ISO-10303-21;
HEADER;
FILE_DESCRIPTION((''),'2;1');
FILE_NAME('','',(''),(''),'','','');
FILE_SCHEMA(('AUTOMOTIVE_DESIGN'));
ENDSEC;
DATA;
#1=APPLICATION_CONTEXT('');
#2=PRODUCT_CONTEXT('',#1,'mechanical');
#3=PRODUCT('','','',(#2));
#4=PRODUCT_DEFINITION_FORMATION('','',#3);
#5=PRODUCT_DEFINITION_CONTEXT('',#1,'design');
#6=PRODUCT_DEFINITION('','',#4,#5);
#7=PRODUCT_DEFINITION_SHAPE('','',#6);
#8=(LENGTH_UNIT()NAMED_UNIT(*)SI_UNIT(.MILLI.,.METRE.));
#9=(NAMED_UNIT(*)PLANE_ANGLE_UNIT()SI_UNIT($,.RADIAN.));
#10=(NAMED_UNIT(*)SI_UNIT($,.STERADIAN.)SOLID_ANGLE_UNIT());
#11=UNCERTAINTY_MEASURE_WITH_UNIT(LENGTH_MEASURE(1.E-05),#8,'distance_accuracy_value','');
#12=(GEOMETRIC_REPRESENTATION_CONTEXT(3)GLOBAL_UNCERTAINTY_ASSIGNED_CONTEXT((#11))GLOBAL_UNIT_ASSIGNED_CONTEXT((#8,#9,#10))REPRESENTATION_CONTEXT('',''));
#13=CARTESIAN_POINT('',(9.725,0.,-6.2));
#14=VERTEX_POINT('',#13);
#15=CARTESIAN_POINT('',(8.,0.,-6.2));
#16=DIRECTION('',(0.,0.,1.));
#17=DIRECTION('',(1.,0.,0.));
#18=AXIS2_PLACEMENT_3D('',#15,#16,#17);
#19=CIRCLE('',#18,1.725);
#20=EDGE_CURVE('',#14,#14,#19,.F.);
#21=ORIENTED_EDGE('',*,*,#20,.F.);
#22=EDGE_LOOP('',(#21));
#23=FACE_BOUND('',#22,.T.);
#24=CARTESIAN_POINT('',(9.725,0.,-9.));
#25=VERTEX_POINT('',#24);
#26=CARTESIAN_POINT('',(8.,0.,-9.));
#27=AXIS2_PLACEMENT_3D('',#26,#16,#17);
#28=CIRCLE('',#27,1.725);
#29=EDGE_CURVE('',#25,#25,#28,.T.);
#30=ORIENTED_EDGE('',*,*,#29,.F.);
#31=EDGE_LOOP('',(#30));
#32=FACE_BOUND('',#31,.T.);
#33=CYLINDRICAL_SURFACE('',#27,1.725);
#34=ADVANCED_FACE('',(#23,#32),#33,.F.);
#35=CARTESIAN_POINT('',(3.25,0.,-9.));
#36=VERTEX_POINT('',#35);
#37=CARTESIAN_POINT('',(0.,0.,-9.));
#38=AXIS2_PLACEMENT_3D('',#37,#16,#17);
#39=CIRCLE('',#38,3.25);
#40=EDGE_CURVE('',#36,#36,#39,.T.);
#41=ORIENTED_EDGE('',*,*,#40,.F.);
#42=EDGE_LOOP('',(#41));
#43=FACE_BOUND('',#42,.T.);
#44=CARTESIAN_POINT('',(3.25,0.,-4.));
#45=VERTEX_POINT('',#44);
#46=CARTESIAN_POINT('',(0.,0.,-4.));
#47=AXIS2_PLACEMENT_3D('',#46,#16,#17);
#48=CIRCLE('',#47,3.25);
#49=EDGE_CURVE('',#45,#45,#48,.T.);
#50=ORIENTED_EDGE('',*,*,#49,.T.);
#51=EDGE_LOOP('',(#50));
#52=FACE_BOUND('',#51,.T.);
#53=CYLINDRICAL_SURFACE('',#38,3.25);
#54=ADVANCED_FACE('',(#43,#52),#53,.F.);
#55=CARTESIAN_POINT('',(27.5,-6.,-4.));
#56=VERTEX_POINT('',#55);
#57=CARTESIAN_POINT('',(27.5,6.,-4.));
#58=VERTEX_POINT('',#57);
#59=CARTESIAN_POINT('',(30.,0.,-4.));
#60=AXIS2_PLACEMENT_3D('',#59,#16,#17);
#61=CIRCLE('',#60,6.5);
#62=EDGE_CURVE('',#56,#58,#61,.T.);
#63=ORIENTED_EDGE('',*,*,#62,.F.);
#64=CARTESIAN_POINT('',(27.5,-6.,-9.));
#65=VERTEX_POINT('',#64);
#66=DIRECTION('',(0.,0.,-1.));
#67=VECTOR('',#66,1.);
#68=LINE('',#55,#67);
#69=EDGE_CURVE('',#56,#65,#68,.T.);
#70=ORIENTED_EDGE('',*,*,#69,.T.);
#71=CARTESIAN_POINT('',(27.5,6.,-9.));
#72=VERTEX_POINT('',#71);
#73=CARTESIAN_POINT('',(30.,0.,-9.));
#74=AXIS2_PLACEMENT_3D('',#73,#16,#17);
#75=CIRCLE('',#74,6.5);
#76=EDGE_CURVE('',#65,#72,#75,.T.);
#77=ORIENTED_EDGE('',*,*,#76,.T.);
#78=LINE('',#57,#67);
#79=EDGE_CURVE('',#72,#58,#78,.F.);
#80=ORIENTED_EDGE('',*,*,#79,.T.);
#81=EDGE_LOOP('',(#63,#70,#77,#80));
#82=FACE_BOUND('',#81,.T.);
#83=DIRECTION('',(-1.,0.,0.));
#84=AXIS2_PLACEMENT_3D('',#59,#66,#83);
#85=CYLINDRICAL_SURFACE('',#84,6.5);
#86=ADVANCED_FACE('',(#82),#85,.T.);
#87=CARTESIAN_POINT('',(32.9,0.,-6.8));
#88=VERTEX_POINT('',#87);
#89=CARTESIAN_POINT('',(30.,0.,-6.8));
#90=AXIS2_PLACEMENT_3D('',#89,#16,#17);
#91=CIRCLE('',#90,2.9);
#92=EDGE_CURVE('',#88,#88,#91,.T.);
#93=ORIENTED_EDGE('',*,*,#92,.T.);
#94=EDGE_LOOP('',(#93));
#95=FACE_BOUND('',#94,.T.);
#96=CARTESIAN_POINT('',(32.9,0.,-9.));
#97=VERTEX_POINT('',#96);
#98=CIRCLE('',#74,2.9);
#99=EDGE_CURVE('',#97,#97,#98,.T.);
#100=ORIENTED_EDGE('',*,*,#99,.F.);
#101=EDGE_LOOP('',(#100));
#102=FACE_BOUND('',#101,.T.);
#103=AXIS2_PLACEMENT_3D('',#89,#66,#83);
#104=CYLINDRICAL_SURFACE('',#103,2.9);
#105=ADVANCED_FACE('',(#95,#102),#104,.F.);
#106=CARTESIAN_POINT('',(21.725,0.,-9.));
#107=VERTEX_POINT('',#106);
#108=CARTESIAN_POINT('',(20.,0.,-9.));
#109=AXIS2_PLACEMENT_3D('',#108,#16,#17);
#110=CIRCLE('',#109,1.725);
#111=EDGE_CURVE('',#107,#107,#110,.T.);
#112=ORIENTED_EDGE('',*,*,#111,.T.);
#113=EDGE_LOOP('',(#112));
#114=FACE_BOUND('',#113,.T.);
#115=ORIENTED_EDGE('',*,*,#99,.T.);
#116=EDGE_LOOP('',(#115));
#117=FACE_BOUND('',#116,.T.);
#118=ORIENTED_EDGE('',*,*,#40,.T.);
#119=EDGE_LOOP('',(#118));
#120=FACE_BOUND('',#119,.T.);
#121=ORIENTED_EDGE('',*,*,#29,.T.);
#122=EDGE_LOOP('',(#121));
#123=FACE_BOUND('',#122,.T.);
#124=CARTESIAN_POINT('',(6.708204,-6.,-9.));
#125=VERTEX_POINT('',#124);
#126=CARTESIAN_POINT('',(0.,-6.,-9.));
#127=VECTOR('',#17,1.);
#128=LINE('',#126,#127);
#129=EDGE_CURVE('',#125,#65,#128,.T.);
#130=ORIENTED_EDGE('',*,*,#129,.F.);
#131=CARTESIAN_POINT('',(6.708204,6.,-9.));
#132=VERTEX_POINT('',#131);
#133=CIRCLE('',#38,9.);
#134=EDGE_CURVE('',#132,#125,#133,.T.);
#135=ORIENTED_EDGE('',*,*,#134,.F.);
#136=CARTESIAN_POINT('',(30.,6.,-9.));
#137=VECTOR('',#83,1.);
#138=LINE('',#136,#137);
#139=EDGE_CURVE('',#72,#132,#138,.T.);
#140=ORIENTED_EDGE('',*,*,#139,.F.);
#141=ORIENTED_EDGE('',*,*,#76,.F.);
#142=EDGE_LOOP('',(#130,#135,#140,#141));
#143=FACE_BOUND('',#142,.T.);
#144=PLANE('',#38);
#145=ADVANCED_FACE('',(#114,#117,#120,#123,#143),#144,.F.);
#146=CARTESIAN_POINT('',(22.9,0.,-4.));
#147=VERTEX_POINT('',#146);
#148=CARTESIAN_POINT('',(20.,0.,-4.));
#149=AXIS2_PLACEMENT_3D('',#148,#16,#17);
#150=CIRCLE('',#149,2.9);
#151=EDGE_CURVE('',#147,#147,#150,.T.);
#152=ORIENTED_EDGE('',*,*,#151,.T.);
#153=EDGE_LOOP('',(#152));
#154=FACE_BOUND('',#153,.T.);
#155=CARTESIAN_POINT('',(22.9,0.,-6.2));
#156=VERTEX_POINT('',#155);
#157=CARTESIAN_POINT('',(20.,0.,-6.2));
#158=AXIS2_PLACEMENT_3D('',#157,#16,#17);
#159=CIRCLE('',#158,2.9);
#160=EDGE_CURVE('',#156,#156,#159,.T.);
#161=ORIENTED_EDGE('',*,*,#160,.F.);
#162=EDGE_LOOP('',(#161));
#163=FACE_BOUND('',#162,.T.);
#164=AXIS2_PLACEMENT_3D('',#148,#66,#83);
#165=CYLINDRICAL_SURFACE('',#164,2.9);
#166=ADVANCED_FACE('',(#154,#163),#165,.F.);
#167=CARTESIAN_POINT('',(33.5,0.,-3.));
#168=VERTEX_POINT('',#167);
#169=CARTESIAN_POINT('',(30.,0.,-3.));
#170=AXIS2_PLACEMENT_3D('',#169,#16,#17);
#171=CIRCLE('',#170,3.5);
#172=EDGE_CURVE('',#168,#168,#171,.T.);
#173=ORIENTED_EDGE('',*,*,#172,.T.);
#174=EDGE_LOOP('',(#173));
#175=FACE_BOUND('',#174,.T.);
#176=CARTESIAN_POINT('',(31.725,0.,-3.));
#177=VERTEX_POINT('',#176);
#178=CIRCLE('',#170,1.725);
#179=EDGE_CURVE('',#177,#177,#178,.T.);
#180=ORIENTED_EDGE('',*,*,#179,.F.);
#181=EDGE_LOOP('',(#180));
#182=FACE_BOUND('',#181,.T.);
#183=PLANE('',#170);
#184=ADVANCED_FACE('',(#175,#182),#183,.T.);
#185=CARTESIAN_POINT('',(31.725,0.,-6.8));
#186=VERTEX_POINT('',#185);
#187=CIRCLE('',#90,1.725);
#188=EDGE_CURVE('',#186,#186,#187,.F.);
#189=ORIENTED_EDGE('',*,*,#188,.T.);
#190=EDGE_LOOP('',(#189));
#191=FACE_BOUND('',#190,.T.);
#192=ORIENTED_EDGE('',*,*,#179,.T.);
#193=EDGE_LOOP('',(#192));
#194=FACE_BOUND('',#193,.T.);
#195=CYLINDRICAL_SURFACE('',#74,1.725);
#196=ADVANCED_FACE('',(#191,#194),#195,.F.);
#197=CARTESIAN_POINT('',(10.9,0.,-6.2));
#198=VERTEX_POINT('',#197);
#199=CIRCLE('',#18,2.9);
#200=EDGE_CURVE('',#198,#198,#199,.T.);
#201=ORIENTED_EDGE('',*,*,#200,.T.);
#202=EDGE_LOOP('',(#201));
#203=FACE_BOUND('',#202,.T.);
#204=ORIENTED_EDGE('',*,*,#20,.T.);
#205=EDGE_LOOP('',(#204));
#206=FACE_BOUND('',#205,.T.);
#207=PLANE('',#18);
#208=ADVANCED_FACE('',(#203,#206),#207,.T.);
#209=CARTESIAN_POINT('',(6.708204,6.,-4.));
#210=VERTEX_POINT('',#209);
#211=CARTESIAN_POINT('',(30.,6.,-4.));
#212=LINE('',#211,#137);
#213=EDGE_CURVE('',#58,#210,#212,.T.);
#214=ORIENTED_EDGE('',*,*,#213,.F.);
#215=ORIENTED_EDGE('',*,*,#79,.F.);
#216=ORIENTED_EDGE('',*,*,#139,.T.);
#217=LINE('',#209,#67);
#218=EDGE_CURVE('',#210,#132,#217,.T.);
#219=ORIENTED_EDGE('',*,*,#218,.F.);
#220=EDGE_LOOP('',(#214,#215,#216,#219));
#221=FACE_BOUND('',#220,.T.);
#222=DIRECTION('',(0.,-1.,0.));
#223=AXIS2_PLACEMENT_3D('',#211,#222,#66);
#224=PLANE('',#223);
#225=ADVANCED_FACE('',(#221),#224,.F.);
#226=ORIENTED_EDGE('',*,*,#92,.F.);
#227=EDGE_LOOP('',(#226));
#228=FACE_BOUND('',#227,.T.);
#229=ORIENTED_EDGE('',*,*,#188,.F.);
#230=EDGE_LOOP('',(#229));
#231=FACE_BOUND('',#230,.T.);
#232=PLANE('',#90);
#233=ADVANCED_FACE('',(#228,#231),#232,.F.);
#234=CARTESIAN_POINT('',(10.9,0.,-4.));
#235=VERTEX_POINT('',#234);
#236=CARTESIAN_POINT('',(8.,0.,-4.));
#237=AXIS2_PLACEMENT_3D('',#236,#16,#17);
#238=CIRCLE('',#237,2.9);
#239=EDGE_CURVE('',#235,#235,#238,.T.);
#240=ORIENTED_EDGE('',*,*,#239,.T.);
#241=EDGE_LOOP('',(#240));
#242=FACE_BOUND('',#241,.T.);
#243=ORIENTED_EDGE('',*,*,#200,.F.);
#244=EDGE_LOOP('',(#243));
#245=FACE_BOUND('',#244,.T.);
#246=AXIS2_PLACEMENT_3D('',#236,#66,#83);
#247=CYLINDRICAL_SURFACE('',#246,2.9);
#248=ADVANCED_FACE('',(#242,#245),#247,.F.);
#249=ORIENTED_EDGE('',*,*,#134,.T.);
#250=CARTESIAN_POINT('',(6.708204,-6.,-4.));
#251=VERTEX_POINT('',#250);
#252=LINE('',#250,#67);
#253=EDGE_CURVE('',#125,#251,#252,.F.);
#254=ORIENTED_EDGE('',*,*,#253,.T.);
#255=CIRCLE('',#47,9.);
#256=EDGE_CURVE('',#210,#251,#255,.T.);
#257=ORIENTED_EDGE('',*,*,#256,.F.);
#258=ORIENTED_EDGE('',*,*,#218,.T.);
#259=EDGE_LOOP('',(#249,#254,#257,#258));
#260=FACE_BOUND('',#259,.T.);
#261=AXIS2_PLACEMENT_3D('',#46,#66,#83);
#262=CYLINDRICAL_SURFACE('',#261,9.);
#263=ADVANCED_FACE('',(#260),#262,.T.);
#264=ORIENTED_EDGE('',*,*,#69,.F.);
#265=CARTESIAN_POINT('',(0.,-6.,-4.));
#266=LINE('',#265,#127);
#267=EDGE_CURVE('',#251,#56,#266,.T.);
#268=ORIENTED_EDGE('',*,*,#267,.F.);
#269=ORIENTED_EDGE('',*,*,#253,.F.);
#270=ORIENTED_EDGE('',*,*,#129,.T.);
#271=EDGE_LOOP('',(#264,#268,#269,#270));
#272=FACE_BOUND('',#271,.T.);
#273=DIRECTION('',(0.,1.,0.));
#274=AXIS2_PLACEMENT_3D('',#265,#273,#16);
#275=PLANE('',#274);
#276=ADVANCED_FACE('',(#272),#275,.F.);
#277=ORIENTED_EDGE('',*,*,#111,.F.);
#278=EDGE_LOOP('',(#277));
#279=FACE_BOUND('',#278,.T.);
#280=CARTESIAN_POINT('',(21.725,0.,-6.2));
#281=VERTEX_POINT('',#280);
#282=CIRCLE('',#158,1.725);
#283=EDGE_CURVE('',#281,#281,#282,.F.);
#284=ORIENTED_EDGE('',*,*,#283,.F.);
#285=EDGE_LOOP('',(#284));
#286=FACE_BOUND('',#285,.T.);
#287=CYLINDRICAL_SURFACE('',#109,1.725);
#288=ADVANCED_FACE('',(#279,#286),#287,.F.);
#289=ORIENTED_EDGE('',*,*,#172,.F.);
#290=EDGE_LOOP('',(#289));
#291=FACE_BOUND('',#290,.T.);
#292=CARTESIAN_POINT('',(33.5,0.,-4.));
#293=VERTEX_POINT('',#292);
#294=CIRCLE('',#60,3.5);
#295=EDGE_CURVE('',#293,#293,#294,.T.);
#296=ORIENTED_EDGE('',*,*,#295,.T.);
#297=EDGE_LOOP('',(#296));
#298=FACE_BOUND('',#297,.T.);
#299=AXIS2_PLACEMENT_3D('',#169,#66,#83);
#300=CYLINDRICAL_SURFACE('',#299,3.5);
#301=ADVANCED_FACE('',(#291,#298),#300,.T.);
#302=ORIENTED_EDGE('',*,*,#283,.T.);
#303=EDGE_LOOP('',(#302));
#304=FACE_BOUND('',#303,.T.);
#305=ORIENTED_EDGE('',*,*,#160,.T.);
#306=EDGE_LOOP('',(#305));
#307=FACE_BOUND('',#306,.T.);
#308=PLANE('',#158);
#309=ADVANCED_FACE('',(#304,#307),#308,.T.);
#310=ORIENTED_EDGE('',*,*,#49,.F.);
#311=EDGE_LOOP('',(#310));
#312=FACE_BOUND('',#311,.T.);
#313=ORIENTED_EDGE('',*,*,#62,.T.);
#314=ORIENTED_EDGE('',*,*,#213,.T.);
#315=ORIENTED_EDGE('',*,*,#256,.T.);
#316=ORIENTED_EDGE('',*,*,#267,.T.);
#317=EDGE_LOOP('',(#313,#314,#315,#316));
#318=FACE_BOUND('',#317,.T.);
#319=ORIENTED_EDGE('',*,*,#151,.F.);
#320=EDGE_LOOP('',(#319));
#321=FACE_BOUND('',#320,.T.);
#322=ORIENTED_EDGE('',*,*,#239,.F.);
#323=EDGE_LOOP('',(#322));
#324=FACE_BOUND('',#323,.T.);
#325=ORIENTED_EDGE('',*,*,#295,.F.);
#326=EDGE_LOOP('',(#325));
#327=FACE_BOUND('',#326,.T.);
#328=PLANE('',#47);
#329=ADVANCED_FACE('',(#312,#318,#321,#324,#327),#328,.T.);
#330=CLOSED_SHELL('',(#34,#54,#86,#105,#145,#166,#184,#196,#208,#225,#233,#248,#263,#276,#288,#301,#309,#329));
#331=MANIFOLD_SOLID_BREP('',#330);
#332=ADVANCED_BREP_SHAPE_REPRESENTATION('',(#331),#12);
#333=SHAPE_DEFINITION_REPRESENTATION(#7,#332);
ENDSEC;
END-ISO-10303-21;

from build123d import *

# Parameters (mm, degrees)
BOSS_EXTRUDE1_START     = -9
SKETCH1_W               = 30
SKETCH1_H               = 12
BOSS_EXTRUDE1_DEPTH     = 5
BOSS_EXTRUDE2_START     = -9
SKETCH2_R               = 9
BOSS_EXTRUDE2_DEPTH     = 5
BOSS_EXTRUDE3_START     = -9
SKETCH3_R               = 6.5
BOSS_EXTRUDE3_DEPTH     = 5
CUT_EXTRUDE1_DEPTH      = 39.655530005
CUT_EXTRUDE1_DEPTH_BACK = 39.655530005
SKETCH4_R               = 3.25
CUT_EXTRUDE2_DEPTH      = 39.655530005
CUT_EXTRUDE2_DEPTH_BACK = 39.655530005
SKETCH5_R               = 1.725
CUT_EXTRUDE3_START      = -6.2
SKETCH6_R               = 2.9
CUT_EXTRUDE3_DEPTH      = 2.2
CUT_EXTRUDE4_START      = -6.2
SKETCH7_R               = 2.9
CUT_EXTRUDE4_DEPTH      = 2.2
CUT_EXTRUDE5_START      = -9
SKETCH8_R               = 2.9
CUT_EXTRUDE5_DEPTH      = 2.2
BOSS_EXTRUDE4_START     = -4
SKETCH9_R               = 3.5
BOSS_EXTRUDE4_DEPTH     = 1
CUT_EXTRUDE6_DEPTH      = 39.655530005
CUT_EXTRUDE6_DEPTH_BACK = 39.655530005
SKETCH10_R              = 1.725


with BuildPart() as part:
    # Sketch1 → Boss-Extrude1 (new body)
    with BuildSketch(Plane.XY.offset(BOSS_EXTRUDE1_START)):
        with Locations((15, 0)):
            Rectangle(SKETCH1_W, SKETCH1_H)
    extrude(amount=BOSS_EXTRUDE1_DEPTH)

    # Sketch2 → Boss-Extrude2 (add)
    with BuildSketch(Plane.XY.offset(BOSS_EXTRUDE2_START)):
        Circle(SKETCH2_R)
    extrude(amount=BOSS_EXTRUDE2_DEPTH)

    # Sketch3 → Boss-Extrude3 (add)
    with BuildSketch(Plane.XY.offset(BOSS_EXTRUDE3_START)):
        with Locations((30, 0)):
            Circle(SKETCH3_R)
    extrude(amount=BOSS_EXTRUDE3_DEPTH)

    # Sketch4 → Cut-Extrude1 (cut, two sides: drawn at the far end of the back side and taken through both)
    with BuildSketch(Plane.XY.offset(-CUT_EXTRUDE1_DEPTH_BACK)):
        Circle(SKETCH4_R)
    extrude(amount=CUT_EXTRUDE1_DEPTH + CUT_EXTRUDE1_DEPTH_BACK, mode=Mode.SUBTRACT)

    # Sketch5 → Cut-Extrude2 (cut, two sides: drawn at the far end of the back side and taken through both)
    with BuildSketch(Plane.XY.offset(-CUT_EXTRUDE2_DEPTH_BACK)):
        with Locations((8, 0)):
            Circle(SKETCH5_R)
        with Locations((20, 0)):
            Circle(SKETCH5_R)
        with Locations((30, 0)):
            Circle(SKETCH5_R)
    extrude(amount=CUT_EXTRUDE2_DEPTH + CUT_EXTRUDE2_DEPTH_BACK, mode=Mode.SUBTRACT)

    # Sketch6 → Cut-Extrude3 (cut)
    with BuildSketch(Plane.XY.offset(CUT_EXTRUDE3_START)):
        with Locations((8, 0)):
            Circle(SKETCH6_R)
    extrude(amount=CUT_EXTRUDE3_DEPTH, mode=Mode.SUBTRACT)

    # Sketch7 → Cut-Extrude4 (cut)
    with BuildSketch(Plane.XY.offset(CUT_EXTRUDE4_START)):
        with Locations((20, 0)):
            Circle(SKETCH7_R)
    extrude(amount=CUT_EXTRUDE4_DEPTH, mode=Mode.SUBTRACT)

    # Sketch8 → Cut-Extrude5 (cut)
    with BuildSketch(Plane.XY.offset(CUT_EXTRUDE5_START)):
        with Locations((30, 0)):
            Circle(SKETCH8_R)
    extrude(amount=CUT_EXTRUDE5_DEPTH, mode=Mode.SUBTRACT)

    # Sketch9 → Boss-Extrude4 (add)
    with BuildSketch(Plane.XY.offset(BOSS_EXTRUDE4_START)):
        with Locations((30, 0)):
            Circle(SKETCH9_R)
    extrude(amount=BOSS_EXTRUDE4_DEPTH)

    # Sketch10 → Cut-Extrude6 (cut, two sides: drawn at the far end of the back side and taken through both)
    with BuildSketch(Plane.XY.offset(-CUT_EXTRUDE6_DEPTH_BACK)):
        with Locations((30, 0)):
            Circle(SKETCH10_R)
    extrude(amount=CUT_EXTRUDE6_DEPTH + CUT_EXTRUDE6_DEPTH_BACK, mode=Mode.SUBTRACT)


solid = part.part
